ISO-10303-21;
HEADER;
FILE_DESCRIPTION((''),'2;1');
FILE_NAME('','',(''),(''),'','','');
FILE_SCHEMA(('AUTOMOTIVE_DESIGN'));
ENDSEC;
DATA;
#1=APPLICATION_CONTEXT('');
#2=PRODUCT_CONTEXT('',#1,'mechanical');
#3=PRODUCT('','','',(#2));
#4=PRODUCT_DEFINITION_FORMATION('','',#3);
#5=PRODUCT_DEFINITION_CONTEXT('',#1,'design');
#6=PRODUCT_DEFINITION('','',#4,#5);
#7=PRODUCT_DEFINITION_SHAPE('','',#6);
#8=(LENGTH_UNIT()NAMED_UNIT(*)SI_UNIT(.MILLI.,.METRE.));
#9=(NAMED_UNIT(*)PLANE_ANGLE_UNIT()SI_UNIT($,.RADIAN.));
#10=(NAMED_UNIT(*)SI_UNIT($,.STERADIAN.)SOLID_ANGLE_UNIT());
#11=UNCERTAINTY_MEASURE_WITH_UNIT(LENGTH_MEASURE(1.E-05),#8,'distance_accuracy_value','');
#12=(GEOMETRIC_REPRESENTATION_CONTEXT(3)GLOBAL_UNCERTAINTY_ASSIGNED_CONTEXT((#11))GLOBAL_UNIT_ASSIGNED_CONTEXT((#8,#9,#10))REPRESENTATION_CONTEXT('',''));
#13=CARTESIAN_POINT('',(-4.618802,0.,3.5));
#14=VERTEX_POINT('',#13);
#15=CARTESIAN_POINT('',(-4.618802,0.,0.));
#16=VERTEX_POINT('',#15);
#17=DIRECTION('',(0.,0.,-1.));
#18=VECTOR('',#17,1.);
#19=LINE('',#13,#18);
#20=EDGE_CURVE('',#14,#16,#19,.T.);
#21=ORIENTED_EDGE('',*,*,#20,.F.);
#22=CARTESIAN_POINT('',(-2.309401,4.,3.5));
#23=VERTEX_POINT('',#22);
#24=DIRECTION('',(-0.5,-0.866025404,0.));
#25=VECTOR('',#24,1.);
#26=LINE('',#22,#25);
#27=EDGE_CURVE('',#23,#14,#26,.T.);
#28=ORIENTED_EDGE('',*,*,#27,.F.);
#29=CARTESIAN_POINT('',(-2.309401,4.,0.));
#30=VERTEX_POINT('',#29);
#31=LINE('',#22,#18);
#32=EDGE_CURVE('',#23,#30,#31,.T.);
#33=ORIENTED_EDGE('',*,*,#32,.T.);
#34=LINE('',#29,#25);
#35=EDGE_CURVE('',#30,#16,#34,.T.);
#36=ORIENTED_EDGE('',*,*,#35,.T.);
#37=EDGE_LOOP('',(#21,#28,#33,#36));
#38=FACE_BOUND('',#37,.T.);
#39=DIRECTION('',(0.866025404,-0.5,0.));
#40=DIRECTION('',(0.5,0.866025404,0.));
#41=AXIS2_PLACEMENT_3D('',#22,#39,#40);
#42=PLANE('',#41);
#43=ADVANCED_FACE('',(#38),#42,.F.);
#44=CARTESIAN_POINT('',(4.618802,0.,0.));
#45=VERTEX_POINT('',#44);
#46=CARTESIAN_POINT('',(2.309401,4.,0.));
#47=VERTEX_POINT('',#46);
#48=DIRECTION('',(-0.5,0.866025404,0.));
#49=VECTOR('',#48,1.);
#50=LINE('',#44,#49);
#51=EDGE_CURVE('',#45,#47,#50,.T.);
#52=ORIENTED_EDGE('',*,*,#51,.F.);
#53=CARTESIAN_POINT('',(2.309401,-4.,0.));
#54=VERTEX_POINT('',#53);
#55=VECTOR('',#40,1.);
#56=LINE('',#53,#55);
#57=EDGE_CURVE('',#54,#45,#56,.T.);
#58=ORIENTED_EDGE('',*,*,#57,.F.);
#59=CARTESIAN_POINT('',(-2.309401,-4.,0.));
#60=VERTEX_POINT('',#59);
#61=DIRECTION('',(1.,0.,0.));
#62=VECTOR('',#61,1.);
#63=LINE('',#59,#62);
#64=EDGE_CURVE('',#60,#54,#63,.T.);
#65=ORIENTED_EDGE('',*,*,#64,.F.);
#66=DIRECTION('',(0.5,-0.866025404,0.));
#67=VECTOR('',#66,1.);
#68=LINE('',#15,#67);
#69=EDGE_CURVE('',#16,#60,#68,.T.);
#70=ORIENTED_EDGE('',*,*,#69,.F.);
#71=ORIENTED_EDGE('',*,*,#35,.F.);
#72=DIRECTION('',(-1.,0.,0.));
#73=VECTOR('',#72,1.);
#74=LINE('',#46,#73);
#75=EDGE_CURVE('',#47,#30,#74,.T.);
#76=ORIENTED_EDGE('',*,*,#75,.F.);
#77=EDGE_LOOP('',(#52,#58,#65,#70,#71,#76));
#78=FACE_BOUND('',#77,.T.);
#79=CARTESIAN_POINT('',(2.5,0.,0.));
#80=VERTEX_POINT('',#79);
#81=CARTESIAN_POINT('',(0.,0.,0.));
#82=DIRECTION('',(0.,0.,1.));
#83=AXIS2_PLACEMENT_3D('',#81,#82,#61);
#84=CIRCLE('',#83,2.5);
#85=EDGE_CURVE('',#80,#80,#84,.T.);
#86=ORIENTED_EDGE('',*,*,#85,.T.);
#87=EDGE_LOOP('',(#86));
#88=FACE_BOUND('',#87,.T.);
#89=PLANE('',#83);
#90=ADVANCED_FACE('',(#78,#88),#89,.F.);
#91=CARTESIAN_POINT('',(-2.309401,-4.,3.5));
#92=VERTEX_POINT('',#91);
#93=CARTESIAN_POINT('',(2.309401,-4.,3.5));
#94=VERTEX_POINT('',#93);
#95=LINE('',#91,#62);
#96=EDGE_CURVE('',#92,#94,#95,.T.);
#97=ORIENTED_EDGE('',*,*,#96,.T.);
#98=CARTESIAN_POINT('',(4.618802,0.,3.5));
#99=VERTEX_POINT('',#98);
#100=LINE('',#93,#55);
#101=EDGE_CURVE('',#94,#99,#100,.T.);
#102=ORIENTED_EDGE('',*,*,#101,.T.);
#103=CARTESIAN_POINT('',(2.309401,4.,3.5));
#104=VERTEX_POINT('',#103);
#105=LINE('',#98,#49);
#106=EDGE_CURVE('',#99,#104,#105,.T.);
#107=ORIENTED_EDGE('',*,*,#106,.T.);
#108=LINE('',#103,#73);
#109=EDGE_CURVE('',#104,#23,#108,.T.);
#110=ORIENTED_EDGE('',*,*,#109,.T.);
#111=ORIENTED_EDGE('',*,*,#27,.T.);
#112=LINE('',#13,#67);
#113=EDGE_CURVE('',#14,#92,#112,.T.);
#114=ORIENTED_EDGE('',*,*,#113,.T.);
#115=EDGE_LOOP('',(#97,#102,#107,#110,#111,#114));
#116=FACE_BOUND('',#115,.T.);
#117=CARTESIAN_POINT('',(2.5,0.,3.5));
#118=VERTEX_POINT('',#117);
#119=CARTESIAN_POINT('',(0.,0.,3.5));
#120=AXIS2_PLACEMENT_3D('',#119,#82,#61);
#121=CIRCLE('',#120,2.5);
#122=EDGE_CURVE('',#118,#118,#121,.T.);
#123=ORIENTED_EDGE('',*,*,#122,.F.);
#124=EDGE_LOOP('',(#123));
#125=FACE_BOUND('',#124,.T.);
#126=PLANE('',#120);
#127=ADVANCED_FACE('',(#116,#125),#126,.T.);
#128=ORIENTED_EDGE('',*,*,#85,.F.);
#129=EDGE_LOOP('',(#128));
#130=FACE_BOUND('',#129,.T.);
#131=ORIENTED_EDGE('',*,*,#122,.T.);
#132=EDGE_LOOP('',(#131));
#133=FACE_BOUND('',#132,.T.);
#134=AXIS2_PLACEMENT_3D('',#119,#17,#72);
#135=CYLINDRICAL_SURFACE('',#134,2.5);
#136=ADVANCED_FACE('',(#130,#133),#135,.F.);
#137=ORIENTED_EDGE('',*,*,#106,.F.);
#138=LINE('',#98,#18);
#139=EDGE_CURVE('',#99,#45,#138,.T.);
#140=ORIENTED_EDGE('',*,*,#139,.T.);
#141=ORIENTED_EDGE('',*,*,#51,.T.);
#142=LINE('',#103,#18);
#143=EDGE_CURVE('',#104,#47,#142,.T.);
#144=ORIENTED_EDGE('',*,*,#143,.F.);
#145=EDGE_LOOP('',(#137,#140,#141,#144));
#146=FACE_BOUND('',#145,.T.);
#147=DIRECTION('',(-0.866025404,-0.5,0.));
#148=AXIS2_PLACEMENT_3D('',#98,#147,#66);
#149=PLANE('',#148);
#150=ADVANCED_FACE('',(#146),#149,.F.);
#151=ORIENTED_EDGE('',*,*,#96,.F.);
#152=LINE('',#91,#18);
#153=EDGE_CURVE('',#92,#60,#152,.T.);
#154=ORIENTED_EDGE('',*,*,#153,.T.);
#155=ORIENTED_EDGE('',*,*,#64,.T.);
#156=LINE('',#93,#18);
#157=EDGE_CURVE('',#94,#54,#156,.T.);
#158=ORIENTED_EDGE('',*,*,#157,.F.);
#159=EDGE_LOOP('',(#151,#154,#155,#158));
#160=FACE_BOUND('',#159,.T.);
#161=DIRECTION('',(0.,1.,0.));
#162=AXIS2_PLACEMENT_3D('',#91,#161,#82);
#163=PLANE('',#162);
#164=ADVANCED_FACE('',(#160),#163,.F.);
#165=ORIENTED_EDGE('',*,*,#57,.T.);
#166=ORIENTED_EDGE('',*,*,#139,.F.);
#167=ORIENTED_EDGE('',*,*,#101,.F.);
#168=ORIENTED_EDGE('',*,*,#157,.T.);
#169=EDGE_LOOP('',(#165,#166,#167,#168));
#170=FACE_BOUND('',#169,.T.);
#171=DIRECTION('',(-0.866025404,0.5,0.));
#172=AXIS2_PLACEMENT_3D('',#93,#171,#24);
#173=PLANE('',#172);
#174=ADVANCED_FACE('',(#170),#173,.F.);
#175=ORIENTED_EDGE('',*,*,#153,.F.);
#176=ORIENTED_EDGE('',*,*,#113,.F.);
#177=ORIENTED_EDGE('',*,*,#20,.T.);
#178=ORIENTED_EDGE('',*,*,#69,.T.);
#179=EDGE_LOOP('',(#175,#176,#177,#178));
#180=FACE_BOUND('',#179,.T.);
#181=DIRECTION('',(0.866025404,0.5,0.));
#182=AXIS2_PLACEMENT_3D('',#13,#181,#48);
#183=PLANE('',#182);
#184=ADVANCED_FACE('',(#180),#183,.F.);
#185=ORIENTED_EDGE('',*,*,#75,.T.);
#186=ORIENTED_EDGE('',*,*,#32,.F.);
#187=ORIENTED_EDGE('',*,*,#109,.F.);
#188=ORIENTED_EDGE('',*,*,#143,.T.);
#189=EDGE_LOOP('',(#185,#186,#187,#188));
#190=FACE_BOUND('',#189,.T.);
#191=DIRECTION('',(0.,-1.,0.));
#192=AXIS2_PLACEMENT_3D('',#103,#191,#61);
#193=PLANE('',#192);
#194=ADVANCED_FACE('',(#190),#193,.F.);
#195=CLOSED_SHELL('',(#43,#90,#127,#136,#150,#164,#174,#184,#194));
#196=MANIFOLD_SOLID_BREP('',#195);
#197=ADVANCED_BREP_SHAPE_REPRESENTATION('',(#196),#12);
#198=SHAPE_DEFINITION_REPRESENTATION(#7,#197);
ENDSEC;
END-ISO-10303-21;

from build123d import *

# Parameters (mm, degrees)
SKETCH_1_R      = 2.5
EXTRUDE_1_DEPTH = 3.5


with BuildPart() as part:
    # 草图1 → 凸台-拉伸1 (new body)
    with BuildSketch(Plane.XY):
        Polygon((4.618802154, 0), (2.309401077, 4), (-2.309401077, 4), (-4.618802154, 0), (-2.309401077, -4), (2.309401077, -4), align=None)
        Circle(SKETCH_1_R, mode=Mode.SUBTRACT)
    extrude(amount=EXTRUDE_1_DEPTH)


solid = part.part
